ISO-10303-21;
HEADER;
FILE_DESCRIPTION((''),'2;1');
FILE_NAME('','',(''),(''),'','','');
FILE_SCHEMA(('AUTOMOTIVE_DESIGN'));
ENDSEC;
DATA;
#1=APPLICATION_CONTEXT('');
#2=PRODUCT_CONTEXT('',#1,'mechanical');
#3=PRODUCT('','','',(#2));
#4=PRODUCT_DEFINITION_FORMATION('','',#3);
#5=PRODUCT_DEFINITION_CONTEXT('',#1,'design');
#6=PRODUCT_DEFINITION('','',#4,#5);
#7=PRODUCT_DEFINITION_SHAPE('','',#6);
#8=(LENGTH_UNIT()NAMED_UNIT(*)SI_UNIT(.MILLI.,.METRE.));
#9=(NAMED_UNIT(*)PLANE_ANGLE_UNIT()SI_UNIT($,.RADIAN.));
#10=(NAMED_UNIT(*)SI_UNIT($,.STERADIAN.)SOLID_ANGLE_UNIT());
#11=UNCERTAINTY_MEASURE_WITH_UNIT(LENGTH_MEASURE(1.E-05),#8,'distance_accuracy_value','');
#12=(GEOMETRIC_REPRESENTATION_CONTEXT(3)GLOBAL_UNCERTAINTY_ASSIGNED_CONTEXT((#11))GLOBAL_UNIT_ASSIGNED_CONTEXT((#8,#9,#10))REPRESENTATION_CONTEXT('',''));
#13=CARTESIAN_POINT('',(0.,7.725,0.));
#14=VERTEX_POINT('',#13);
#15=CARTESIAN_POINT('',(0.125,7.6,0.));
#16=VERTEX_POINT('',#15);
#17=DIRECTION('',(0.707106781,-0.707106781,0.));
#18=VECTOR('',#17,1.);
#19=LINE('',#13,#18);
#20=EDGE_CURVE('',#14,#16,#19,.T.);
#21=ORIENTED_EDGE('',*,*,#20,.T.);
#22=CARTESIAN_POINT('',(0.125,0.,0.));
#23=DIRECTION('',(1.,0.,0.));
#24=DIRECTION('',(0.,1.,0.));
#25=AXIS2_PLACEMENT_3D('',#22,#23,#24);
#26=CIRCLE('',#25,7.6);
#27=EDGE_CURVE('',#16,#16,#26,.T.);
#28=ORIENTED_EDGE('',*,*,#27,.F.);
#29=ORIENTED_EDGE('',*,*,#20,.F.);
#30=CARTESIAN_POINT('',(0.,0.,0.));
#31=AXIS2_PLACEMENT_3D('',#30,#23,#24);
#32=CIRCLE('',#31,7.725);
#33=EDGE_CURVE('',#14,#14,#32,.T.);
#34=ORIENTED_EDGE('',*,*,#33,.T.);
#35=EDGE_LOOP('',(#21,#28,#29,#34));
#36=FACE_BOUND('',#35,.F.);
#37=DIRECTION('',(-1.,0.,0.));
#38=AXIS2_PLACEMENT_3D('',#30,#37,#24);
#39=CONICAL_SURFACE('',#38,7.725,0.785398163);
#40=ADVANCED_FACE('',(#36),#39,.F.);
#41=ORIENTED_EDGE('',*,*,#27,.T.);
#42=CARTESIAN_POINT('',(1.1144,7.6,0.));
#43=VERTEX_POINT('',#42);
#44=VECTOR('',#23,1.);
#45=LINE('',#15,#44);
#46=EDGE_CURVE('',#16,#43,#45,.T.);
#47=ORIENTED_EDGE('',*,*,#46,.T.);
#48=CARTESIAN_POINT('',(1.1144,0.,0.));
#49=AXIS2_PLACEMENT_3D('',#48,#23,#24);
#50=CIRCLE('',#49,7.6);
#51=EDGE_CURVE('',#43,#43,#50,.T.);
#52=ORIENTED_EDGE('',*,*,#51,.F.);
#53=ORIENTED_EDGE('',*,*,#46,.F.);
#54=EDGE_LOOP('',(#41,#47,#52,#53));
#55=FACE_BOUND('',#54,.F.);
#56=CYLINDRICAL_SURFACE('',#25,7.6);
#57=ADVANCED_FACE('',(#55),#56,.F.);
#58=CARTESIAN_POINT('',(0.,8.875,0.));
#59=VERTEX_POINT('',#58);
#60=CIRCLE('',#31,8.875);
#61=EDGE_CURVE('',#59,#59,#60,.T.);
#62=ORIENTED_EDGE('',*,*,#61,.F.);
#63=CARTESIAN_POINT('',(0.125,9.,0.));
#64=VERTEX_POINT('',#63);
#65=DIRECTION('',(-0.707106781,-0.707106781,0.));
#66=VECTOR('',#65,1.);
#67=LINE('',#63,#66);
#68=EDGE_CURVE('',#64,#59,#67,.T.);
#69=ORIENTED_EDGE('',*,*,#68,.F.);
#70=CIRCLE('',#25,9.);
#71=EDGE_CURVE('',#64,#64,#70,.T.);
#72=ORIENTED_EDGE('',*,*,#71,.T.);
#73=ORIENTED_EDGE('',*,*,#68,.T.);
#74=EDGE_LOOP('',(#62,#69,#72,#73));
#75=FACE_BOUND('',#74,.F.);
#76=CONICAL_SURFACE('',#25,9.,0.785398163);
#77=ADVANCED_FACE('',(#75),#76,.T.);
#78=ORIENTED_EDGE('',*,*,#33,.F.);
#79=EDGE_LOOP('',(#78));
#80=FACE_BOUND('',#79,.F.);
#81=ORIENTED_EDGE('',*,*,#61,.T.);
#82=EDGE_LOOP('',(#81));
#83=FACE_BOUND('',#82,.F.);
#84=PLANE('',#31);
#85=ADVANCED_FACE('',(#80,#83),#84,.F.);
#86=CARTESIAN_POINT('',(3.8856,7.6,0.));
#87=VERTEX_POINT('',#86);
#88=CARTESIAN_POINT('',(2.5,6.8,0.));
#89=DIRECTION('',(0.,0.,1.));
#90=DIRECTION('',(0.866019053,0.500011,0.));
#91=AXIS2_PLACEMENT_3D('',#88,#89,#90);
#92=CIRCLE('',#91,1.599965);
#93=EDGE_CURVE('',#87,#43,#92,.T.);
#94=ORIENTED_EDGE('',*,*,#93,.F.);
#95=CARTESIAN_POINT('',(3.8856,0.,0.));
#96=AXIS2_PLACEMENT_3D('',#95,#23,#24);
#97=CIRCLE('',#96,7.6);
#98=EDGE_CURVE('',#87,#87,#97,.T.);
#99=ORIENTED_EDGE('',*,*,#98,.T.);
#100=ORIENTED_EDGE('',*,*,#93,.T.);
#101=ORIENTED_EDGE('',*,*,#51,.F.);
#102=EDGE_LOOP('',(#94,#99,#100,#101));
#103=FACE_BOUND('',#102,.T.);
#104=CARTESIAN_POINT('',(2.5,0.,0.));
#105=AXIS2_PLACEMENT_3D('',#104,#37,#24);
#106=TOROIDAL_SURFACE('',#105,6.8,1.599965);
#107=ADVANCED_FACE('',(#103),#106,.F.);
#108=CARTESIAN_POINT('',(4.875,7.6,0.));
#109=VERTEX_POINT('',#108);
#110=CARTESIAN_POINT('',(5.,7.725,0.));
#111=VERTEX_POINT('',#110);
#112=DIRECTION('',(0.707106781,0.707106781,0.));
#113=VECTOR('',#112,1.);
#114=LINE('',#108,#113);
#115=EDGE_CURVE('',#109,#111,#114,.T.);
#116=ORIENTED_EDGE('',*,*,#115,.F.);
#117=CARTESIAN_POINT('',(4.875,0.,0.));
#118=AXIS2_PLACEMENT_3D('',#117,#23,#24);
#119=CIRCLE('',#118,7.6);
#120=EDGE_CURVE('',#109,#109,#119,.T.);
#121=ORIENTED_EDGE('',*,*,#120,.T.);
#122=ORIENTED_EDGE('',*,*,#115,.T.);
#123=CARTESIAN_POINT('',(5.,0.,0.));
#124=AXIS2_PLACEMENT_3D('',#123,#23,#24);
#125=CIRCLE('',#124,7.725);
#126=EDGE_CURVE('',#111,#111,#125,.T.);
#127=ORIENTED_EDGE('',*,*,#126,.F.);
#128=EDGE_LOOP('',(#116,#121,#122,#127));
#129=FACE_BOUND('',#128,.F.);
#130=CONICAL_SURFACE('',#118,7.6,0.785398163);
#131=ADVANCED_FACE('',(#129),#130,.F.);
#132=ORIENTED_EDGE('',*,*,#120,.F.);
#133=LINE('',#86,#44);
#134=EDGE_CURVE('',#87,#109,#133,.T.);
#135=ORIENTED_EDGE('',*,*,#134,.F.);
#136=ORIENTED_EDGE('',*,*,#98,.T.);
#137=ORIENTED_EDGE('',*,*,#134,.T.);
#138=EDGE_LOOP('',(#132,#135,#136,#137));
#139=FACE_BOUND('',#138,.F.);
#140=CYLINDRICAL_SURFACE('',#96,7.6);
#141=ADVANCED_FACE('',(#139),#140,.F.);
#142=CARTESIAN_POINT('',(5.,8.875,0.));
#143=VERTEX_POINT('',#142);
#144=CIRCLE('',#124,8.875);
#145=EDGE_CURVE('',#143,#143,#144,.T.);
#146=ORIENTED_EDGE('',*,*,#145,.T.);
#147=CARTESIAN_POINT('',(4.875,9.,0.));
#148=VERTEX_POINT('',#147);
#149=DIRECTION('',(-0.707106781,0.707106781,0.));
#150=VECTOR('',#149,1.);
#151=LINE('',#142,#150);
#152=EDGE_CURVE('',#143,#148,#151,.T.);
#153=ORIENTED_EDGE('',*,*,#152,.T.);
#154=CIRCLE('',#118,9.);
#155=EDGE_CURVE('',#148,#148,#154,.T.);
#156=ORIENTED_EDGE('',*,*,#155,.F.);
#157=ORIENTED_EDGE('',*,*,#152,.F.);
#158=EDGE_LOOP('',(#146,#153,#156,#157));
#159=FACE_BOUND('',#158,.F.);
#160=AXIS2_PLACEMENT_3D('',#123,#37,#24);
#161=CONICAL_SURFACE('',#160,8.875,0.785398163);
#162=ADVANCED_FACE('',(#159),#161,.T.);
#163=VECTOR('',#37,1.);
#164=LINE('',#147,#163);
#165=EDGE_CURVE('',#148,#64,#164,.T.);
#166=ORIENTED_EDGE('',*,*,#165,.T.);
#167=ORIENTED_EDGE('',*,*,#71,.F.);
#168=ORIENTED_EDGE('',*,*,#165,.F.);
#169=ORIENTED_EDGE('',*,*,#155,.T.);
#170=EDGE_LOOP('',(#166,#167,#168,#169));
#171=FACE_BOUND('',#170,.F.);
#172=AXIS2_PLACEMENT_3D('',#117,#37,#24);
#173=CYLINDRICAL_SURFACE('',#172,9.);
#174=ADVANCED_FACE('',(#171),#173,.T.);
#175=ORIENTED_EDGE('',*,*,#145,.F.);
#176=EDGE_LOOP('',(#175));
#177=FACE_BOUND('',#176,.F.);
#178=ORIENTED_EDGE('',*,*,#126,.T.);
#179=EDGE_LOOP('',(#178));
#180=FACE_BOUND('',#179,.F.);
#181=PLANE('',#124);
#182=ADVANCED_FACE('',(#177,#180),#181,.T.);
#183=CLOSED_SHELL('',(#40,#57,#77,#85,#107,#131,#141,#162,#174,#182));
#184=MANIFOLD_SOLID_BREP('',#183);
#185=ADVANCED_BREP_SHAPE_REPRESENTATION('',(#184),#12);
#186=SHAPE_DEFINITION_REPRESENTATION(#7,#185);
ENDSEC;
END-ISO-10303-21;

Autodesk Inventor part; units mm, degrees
sketch "Sketch_3" plane through (0, 0, 0) normal (0, 0, 1) x (1, 0, 0)
  line L0 (5, 0) -> (0, 0)
  line L1 (0, 8.875) -> (0, 7.725)
  line L2 (0, 7.725) -> (0.125, 7.6)
  line L3 (0.125, 7.6) -> (1.1144, 7.6)
  arc A0 (3.8856, 7.6) -> (1.1144, 7.6) centre (2.5, 6.8) ccw
  line L4 (3.8856, 7.6) -> (4.875, 7.6)
  line L5 (4.875, 7.6) -> (5, 7.725)
  line L6 (5, 7.725) -> (5, 8.875)
  line L7 (5, 8.875) -> (4.875, 9)
  line L8 (4.875, 9) -> (0.125, 9)
  line L9 (0.125, 9) -> (0, 8.875)
revolve "Revolution1" add sketch "Sketch_3" angle 360 about axis through (5, 0, 0) along (1, 0, 0)
ref_plane "OR_Cage_XY" through (0, 0, 0) normal (1, 0, 0) x (0, 0, -1)
ref_plane "OR_Cage_YZ" through (0, 0, 0) normal (0, 0, -1) x (0, 1, 0)
ref_plane "OR_Cage_ZX" through (0, 0, 0) normal (0, 1, 0) x (1, 0, 0)
ref_plane "OR_IR_XY" through (0, 0, 0) normal (1, 0, 0) x (0, 0, -1)
ref_plane "OR_IR_YZ" through (0, 0, 0) normal (0, 0, -1) x (0, 1, 0)
ref_plane "OR_IR_ZX" through (0, 0, 0) normal (0, 1, 0) x (1, 0, 0)
ref_plane "OR_ball_1_XY" through (2.5, 6.8, 0) normal (1, 0, 0) x (0, 0, -1)
ref_plane "OR_ball_1_YZ" through (2.5, 6.8, 0) normal (0, 0, -1) x (0, 1, 0)
ref_plane "OR_ball_1_ZX" through (2.5, 6.8, 0) normal (0, 1, 0) x (1, 0, 0)
ref_plane "OR_ball_2_XY" through (2.5, 3.4, 5.889) normal (1, 0, 0) x (0, 0, -1)
ref_plane "OR_ball_2_YZ" through (2.5, 3.4, 5.889) normal (0, 0, -1) x (0, 1, 0)
ref_plane "OR_ball_2_ZX" through (2.5, 3.4, 5.889) normal (0, 1, 0) x (1, 0, 0)
ref_plane "OR_ball_3_XY" through (2.5, -3.4, 5.889) normal (1, 0, 0) x (0, 0, -1)
ref_plane "OR_ball_3_YZ" through (2.5, -3.4, 5.889) normal (0, 0, -1) x (0, 1, 0)
ref_plane "OR_ball_3_ZX" through (2.5, -3.4, 5.889) normal (0, 1, 0) x (1, 0, 0)
ref_plane "OR_ball_4_XY" through (2.5, -6.8, 0) normal (1, 0, 0) x (0, 0, -1)
ref_plane "OR_ball_4_YZ" through (2.5, -6.8, 0) normal (0, 0, -1) x (0, 1, 0)
ref_plane "OR_ball_4_ZX" through (2.5, -6.8, 0) normal (0, 1, 0) x (1, 0, 0)
ref_plane "OR_ball_5_XY" through (2.5, -3.4, -5.889) normal (1, 0, 0) x (0, 0, -1)
ref_plane "OR_ball_5_YZ" through (2.5, -3.4, -5.889) normal (0, 0, -1) x (0, 1, 0)
ref_plane "OR_ball_5_ZX" through (2.5, -3.4, -5.889) normal (0, 1, 0) x (1, 0, 0)
ref_plane "OR_ball_6_XY" through (2.5, 3.4, -5.889) normal (1, 0, 0) x (0, 0, -1)
ref_plane "OR_ball_6_YZ" through (2.5, 3.4, -5.889) normal (0, 0, -1) x (0, 1, 0)
ref_plane "OR_ball_6_ZX" through (2.5, 3.4, -5.889) normal (0, 1, 0) x (1, 0, 0)
properties part number "040102DR-18-H8_or_CPY"
